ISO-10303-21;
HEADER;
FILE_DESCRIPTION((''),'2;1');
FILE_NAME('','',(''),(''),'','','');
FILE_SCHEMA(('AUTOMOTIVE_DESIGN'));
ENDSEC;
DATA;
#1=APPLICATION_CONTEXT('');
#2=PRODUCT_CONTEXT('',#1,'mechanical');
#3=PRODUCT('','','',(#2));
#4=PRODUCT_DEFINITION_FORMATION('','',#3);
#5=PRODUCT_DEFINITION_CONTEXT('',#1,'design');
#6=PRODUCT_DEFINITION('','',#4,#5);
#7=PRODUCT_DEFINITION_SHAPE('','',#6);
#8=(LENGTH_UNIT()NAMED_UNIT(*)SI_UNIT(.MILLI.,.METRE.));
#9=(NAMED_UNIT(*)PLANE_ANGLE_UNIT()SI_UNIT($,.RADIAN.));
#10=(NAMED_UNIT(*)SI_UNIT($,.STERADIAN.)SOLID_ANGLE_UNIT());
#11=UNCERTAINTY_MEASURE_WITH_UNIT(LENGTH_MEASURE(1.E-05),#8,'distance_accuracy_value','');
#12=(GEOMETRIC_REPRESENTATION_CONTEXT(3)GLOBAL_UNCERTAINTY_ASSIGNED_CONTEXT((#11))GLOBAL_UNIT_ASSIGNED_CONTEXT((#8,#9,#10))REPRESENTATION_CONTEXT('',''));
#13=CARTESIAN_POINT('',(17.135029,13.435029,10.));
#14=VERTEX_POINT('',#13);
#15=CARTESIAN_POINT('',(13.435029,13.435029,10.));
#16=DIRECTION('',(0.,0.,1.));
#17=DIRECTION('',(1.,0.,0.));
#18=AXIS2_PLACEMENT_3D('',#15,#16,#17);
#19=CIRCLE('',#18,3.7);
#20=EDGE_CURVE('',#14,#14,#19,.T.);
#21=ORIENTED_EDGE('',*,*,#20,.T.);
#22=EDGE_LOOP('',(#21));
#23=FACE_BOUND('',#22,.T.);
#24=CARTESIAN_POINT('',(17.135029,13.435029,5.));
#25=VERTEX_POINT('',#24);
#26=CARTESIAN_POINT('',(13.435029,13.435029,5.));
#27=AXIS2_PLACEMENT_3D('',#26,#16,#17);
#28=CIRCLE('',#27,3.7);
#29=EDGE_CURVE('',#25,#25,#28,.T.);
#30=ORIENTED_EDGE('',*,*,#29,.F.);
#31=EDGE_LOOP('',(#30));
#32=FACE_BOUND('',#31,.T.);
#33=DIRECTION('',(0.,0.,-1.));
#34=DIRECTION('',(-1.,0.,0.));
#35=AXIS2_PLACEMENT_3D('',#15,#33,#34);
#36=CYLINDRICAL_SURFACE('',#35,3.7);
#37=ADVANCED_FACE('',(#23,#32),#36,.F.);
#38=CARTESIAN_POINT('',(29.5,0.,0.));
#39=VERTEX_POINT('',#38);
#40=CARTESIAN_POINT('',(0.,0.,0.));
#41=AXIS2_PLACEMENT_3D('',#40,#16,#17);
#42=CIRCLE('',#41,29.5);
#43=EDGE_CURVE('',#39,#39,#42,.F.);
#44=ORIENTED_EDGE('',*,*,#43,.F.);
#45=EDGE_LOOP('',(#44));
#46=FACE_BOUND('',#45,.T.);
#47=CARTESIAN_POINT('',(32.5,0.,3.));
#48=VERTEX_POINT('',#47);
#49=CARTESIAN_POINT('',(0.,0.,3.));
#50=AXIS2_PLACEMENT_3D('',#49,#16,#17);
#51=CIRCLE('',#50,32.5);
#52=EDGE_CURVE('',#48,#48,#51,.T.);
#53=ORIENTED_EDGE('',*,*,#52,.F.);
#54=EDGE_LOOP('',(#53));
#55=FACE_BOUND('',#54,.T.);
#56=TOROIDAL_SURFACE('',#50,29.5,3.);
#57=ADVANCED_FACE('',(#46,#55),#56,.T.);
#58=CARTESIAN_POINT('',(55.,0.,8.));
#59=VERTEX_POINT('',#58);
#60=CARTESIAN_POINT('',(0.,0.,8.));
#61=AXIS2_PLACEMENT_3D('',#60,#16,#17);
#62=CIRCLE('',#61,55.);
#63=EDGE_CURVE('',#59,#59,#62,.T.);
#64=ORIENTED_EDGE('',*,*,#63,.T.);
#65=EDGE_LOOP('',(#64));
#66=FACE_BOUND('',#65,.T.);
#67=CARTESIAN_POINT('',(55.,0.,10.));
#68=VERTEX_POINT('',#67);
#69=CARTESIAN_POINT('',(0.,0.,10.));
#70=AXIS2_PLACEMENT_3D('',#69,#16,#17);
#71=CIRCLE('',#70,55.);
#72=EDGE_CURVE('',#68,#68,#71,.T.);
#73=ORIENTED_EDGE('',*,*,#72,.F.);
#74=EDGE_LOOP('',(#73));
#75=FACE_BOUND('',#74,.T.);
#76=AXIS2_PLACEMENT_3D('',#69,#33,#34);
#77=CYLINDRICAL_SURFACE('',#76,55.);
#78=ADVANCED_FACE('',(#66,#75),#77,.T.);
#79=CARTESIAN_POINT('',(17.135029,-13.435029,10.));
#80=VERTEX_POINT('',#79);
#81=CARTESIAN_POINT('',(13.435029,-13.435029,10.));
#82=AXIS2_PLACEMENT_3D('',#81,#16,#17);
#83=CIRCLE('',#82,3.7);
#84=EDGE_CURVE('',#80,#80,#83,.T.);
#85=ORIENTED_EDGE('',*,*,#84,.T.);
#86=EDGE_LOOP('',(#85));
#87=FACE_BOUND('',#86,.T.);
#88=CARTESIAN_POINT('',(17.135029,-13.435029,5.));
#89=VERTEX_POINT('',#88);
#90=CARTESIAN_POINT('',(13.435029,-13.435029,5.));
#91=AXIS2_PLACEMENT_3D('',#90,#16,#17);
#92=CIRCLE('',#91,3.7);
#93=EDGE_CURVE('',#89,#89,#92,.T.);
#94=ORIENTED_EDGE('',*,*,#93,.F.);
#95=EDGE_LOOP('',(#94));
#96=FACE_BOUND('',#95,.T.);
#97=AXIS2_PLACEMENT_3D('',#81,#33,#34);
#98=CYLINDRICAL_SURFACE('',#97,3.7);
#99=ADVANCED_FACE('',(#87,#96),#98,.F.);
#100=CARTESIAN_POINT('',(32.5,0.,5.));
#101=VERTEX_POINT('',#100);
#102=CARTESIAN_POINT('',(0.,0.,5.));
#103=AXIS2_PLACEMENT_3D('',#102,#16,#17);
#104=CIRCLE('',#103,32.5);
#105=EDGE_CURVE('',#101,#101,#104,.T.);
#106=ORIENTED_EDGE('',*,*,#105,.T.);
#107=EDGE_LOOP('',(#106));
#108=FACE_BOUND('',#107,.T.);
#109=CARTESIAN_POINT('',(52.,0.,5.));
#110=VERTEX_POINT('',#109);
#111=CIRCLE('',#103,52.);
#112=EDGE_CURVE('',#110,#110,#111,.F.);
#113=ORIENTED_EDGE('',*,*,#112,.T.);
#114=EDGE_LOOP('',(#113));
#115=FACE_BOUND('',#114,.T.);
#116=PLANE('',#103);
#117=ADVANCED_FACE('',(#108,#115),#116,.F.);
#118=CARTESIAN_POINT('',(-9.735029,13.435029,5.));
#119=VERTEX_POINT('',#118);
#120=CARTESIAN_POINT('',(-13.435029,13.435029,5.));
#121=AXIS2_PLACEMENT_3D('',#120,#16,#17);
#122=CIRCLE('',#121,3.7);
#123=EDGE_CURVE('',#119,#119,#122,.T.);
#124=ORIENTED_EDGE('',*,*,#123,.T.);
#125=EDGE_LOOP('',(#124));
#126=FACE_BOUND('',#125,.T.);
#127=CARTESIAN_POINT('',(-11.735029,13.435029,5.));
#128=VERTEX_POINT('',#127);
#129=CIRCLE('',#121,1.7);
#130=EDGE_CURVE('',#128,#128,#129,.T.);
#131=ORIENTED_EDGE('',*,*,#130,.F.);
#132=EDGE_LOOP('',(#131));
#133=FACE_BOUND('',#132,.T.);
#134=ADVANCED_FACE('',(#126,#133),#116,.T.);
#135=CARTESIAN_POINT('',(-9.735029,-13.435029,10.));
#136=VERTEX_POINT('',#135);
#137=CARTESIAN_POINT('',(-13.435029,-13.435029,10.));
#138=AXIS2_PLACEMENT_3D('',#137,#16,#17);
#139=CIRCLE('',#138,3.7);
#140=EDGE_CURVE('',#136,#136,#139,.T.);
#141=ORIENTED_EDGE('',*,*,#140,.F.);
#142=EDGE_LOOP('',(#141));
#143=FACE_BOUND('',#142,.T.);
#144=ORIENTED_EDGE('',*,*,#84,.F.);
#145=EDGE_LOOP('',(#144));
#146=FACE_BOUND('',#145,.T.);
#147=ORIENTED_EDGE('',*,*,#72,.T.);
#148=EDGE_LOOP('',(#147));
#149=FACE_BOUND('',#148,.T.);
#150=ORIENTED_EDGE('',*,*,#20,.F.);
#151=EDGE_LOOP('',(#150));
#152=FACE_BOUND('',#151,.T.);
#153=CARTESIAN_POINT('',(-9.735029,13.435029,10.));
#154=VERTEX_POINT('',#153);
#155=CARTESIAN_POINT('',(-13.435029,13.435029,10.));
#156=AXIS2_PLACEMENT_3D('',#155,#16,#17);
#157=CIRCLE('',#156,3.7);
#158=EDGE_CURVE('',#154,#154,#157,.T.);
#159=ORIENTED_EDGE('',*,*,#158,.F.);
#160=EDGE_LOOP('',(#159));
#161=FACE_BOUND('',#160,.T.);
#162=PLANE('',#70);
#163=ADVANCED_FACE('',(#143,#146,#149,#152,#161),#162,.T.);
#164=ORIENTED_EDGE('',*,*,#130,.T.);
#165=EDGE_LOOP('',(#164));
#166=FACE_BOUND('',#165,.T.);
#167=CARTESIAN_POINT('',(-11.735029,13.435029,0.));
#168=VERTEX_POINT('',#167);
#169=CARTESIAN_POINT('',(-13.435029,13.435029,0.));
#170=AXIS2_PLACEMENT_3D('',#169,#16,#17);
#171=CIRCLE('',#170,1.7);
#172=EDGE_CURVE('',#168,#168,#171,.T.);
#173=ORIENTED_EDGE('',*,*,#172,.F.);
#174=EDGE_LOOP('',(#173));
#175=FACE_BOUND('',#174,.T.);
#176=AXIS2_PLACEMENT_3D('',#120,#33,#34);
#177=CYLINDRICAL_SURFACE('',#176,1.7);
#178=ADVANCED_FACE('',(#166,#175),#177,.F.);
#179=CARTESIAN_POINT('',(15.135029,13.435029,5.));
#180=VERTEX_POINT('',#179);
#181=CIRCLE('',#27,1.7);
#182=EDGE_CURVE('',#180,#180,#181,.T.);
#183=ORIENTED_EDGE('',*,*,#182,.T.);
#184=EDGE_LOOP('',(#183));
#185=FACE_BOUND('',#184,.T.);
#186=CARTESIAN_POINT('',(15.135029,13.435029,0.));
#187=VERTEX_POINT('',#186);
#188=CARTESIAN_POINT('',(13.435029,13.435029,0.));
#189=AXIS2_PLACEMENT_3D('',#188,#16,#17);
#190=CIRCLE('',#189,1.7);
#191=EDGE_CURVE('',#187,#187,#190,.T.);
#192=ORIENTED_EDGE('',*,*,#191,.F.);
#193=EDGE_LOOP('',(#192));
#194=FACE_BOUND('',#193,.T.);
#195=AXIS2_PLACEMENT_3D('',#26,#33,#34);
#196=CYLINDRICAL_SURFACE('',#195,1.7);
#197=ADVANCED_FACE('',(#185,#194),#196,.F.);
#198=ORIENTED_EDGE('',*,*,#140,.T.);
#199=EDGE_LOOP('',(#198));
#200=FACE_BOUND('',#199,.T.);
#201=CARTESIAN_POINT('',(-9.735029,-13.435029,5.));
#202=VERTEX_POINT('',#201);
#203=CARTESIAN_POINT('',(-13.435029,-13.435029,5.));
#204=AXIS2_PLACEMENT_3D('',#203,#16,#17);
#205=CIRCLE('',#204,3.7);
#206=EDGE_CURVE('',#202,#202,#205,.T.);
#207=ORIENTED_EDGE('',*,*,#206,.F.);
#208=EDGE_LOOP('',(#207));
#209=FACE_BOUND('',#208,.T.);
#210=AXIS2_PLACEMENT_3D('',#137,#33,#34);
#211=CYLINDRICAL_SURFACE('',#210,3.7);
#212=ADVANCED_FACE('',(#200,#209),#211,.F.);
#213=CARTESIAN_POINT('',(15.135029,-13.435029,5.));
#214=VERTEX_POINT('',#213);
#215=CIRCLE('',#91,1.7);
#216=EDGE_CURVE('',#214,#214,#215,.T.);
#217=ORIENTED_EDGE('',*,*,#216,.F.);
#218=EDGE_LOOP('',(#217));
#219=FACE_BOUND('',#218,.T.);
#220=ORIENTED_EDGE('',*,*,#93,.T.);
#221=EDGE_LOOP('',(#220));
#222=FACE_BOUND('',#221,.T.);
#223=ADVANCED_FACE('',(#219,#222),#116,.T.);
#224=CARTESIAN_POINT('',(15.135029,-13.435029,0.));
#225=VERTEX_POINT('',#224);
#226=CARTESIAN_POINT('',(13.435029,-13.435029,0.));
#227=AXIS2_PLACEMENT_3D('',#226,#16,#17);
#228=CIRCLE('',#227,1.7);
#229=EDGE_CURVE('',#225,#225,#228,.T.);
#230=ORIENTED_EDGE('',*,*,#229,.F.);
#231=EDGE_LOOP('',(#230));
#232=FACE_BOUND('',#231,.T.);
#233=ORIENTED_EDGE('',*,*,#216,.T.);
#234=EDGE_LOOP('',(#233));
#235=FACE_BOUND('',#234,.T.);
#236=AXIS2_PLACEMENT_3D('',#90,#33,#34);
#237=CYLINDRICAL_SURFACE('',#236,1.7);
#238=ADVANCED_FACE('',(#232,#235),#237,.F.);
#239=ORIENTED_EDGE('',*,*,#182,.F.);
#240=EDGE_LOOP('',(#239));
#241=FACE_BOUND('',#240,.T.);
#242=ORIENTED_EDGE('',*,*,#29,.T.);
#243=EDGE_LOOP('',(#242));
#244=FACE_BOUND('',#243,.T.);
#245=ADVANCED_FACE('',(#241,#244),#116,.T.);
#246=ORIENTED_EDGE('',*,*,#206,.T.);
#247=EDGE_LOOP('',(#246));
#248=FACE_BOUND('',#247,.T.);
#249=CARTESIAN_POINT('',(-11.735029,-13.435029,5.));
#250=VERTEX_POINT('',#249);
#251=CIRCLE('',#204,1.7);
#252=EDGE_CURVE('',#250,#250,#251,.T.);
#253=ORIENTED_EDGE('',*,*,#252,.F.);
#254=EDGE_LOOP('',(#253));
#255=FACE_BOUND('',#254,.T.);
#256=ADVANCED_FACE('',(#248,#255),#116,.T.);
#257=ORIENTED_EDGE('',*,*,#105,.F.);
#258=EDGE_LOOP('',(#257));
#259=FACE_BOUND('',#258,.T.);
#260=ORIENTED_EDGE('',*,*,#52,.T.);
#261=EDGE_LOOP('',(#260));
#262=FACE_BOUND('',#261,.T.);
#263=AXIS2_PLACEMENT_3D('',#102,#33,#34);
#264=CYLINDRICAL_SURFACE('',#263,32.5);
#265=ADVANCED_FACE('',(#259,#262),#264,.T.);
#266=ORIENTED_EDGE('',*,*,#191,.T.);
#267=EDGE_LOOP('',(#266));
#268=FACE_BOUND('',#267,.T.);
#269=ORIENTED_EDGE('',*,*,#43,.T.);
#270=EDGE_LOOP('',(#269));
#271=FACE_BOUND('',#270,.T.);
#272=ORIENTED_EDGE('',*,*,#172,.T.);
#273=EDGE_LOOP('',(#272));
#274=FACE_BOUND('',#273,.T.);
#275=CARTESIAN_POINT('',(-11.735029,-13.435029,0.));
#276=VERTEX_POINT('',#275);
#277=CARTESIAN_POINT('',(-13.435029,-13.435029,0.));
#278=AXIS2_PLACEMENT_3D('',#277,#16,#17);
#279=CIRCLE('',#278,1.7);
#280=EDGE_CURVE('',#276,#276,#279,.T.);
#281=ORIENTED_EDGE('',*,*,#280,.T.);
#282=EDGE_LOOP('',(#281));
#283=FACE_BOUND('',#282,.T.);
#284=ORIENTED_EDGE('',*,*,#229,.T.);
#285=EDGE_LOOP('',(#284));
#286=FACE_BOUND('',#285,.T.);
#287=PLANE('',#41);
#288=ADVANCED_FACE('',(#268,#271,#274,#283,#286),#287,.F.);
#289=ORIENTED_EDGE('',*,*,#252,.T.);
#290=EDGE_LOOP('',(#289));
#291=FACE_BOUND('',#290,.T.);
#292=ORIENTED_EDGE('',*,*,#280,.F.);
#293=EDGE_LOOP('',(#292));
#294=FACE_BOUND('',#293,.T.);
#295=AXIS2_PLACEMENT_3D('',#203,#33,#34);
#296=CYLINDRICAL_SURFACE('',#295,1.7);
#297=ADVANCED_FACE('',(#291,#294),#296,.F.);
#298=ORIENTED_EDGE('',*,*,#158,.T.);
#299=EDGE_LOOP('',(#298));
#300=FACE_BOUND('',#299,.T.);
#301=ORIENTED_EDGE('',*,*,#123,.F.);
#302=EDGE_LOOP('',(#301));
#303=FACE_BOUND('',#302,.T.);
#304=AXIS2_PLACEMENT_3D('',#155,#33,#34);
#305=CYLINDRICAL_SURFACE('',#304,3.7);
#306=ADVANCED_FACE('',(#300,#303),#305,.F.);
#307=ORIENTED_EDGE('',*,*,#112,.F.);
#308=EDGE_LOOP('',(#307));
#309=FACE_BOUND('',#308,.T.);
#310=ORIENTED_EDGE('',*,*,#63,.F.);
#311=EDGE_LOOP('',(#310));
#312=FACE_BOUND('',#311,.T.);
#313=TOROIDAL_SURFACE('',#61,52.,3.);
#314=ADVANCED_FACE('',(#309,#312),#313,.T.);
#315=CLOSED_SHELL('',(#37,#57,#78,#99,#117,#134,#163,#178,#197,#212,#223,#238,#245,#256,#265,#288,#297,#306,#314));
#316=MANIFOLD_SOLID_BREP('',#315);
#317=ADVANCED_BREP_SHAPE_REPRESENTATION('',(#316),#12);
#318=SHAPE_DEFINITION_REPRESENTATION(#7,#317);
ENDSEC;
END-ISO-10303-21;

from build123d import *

# Parameters (mm, degrees)
SKETCH_1_R      = 32.5
SKETCH_1_R_2    = 1.7
EXTRUDE_1_DEPTH = 5
SKETCH_2_R      = 55
SKETCH_2_R_2    = 3.7
EXTRUDE_2_DEPTH = 5
FILLET_2_R      = 3
FILLET_3_R      = 3


with BuildPart() as part:
    # 草图1 → 凸台-拉伸1 (new body)
    with BuildSketch(Plane.XY):
        Circle(SKETCH_1_R)
        with Locations((-13.435028843, 13.435028843)):
            Circle(SKETCH_1_R_2, mode=Mode.SUBTRACT)
        with Locations((-13.435028843, -13.435028843)):
            Circle(SKETCH_1_R_2, mode=Mode.SUBTRACT)
        with Locations((13.435028843, -13.435028843)):
            Circle(SKETCH_1_R_2, mode=Mode.SUBTRACT)
        with Locations((13.435028843, 13.435028843)):
            Circle(SKETCH_1_R_2, mode=Mode.SUBTRACT)
    extrude(amount=EXTRUDE_1_DEPTH)

    # 草图2 → 凸台-拉伸2 (add)
    with BuildSketch(Plane.XY.offset(5)):
        Circle(SKETCH_2_R)
        with Locations((13.435028843, -13.435028843)):
            Circle(SKETCH_2_R_2, mode=Mode.SUBTRACT)
        with Locations((-13.435028843, 13.435028843)):
            Circle(SKETCH_2_R_2, mode=Mode.SUBTRACT)
        with Locations((-13.435028843, -13.435028843)):
            Circle(SKETCH_2_R_2, mode=Mode.SUBTRACT)
        with Locations((13.435028843, 13.435028843)):
            Circle(SKETCH_2_R_2, mode=Mode.SUBTRACT)
    extrude(amount=EXTRUDE_2_DEPTH)

    # 圆角2
    fillet_2_edges = [part.edges().sort_by_distance(p)[0] for p in [
        (-32.5, 0, 0),
    ]]
    fillet(fillet_2_edges, radius=FILLET_2_R)

    # 圆角3
    fillet_3_edges = [part.edges().sort_by_distance(p)[0] for p in [
        (-55, 0, 5),
    ]]
    fillet(fillet_3_edges, radius=FILLET_3_R)


solid = part.part
